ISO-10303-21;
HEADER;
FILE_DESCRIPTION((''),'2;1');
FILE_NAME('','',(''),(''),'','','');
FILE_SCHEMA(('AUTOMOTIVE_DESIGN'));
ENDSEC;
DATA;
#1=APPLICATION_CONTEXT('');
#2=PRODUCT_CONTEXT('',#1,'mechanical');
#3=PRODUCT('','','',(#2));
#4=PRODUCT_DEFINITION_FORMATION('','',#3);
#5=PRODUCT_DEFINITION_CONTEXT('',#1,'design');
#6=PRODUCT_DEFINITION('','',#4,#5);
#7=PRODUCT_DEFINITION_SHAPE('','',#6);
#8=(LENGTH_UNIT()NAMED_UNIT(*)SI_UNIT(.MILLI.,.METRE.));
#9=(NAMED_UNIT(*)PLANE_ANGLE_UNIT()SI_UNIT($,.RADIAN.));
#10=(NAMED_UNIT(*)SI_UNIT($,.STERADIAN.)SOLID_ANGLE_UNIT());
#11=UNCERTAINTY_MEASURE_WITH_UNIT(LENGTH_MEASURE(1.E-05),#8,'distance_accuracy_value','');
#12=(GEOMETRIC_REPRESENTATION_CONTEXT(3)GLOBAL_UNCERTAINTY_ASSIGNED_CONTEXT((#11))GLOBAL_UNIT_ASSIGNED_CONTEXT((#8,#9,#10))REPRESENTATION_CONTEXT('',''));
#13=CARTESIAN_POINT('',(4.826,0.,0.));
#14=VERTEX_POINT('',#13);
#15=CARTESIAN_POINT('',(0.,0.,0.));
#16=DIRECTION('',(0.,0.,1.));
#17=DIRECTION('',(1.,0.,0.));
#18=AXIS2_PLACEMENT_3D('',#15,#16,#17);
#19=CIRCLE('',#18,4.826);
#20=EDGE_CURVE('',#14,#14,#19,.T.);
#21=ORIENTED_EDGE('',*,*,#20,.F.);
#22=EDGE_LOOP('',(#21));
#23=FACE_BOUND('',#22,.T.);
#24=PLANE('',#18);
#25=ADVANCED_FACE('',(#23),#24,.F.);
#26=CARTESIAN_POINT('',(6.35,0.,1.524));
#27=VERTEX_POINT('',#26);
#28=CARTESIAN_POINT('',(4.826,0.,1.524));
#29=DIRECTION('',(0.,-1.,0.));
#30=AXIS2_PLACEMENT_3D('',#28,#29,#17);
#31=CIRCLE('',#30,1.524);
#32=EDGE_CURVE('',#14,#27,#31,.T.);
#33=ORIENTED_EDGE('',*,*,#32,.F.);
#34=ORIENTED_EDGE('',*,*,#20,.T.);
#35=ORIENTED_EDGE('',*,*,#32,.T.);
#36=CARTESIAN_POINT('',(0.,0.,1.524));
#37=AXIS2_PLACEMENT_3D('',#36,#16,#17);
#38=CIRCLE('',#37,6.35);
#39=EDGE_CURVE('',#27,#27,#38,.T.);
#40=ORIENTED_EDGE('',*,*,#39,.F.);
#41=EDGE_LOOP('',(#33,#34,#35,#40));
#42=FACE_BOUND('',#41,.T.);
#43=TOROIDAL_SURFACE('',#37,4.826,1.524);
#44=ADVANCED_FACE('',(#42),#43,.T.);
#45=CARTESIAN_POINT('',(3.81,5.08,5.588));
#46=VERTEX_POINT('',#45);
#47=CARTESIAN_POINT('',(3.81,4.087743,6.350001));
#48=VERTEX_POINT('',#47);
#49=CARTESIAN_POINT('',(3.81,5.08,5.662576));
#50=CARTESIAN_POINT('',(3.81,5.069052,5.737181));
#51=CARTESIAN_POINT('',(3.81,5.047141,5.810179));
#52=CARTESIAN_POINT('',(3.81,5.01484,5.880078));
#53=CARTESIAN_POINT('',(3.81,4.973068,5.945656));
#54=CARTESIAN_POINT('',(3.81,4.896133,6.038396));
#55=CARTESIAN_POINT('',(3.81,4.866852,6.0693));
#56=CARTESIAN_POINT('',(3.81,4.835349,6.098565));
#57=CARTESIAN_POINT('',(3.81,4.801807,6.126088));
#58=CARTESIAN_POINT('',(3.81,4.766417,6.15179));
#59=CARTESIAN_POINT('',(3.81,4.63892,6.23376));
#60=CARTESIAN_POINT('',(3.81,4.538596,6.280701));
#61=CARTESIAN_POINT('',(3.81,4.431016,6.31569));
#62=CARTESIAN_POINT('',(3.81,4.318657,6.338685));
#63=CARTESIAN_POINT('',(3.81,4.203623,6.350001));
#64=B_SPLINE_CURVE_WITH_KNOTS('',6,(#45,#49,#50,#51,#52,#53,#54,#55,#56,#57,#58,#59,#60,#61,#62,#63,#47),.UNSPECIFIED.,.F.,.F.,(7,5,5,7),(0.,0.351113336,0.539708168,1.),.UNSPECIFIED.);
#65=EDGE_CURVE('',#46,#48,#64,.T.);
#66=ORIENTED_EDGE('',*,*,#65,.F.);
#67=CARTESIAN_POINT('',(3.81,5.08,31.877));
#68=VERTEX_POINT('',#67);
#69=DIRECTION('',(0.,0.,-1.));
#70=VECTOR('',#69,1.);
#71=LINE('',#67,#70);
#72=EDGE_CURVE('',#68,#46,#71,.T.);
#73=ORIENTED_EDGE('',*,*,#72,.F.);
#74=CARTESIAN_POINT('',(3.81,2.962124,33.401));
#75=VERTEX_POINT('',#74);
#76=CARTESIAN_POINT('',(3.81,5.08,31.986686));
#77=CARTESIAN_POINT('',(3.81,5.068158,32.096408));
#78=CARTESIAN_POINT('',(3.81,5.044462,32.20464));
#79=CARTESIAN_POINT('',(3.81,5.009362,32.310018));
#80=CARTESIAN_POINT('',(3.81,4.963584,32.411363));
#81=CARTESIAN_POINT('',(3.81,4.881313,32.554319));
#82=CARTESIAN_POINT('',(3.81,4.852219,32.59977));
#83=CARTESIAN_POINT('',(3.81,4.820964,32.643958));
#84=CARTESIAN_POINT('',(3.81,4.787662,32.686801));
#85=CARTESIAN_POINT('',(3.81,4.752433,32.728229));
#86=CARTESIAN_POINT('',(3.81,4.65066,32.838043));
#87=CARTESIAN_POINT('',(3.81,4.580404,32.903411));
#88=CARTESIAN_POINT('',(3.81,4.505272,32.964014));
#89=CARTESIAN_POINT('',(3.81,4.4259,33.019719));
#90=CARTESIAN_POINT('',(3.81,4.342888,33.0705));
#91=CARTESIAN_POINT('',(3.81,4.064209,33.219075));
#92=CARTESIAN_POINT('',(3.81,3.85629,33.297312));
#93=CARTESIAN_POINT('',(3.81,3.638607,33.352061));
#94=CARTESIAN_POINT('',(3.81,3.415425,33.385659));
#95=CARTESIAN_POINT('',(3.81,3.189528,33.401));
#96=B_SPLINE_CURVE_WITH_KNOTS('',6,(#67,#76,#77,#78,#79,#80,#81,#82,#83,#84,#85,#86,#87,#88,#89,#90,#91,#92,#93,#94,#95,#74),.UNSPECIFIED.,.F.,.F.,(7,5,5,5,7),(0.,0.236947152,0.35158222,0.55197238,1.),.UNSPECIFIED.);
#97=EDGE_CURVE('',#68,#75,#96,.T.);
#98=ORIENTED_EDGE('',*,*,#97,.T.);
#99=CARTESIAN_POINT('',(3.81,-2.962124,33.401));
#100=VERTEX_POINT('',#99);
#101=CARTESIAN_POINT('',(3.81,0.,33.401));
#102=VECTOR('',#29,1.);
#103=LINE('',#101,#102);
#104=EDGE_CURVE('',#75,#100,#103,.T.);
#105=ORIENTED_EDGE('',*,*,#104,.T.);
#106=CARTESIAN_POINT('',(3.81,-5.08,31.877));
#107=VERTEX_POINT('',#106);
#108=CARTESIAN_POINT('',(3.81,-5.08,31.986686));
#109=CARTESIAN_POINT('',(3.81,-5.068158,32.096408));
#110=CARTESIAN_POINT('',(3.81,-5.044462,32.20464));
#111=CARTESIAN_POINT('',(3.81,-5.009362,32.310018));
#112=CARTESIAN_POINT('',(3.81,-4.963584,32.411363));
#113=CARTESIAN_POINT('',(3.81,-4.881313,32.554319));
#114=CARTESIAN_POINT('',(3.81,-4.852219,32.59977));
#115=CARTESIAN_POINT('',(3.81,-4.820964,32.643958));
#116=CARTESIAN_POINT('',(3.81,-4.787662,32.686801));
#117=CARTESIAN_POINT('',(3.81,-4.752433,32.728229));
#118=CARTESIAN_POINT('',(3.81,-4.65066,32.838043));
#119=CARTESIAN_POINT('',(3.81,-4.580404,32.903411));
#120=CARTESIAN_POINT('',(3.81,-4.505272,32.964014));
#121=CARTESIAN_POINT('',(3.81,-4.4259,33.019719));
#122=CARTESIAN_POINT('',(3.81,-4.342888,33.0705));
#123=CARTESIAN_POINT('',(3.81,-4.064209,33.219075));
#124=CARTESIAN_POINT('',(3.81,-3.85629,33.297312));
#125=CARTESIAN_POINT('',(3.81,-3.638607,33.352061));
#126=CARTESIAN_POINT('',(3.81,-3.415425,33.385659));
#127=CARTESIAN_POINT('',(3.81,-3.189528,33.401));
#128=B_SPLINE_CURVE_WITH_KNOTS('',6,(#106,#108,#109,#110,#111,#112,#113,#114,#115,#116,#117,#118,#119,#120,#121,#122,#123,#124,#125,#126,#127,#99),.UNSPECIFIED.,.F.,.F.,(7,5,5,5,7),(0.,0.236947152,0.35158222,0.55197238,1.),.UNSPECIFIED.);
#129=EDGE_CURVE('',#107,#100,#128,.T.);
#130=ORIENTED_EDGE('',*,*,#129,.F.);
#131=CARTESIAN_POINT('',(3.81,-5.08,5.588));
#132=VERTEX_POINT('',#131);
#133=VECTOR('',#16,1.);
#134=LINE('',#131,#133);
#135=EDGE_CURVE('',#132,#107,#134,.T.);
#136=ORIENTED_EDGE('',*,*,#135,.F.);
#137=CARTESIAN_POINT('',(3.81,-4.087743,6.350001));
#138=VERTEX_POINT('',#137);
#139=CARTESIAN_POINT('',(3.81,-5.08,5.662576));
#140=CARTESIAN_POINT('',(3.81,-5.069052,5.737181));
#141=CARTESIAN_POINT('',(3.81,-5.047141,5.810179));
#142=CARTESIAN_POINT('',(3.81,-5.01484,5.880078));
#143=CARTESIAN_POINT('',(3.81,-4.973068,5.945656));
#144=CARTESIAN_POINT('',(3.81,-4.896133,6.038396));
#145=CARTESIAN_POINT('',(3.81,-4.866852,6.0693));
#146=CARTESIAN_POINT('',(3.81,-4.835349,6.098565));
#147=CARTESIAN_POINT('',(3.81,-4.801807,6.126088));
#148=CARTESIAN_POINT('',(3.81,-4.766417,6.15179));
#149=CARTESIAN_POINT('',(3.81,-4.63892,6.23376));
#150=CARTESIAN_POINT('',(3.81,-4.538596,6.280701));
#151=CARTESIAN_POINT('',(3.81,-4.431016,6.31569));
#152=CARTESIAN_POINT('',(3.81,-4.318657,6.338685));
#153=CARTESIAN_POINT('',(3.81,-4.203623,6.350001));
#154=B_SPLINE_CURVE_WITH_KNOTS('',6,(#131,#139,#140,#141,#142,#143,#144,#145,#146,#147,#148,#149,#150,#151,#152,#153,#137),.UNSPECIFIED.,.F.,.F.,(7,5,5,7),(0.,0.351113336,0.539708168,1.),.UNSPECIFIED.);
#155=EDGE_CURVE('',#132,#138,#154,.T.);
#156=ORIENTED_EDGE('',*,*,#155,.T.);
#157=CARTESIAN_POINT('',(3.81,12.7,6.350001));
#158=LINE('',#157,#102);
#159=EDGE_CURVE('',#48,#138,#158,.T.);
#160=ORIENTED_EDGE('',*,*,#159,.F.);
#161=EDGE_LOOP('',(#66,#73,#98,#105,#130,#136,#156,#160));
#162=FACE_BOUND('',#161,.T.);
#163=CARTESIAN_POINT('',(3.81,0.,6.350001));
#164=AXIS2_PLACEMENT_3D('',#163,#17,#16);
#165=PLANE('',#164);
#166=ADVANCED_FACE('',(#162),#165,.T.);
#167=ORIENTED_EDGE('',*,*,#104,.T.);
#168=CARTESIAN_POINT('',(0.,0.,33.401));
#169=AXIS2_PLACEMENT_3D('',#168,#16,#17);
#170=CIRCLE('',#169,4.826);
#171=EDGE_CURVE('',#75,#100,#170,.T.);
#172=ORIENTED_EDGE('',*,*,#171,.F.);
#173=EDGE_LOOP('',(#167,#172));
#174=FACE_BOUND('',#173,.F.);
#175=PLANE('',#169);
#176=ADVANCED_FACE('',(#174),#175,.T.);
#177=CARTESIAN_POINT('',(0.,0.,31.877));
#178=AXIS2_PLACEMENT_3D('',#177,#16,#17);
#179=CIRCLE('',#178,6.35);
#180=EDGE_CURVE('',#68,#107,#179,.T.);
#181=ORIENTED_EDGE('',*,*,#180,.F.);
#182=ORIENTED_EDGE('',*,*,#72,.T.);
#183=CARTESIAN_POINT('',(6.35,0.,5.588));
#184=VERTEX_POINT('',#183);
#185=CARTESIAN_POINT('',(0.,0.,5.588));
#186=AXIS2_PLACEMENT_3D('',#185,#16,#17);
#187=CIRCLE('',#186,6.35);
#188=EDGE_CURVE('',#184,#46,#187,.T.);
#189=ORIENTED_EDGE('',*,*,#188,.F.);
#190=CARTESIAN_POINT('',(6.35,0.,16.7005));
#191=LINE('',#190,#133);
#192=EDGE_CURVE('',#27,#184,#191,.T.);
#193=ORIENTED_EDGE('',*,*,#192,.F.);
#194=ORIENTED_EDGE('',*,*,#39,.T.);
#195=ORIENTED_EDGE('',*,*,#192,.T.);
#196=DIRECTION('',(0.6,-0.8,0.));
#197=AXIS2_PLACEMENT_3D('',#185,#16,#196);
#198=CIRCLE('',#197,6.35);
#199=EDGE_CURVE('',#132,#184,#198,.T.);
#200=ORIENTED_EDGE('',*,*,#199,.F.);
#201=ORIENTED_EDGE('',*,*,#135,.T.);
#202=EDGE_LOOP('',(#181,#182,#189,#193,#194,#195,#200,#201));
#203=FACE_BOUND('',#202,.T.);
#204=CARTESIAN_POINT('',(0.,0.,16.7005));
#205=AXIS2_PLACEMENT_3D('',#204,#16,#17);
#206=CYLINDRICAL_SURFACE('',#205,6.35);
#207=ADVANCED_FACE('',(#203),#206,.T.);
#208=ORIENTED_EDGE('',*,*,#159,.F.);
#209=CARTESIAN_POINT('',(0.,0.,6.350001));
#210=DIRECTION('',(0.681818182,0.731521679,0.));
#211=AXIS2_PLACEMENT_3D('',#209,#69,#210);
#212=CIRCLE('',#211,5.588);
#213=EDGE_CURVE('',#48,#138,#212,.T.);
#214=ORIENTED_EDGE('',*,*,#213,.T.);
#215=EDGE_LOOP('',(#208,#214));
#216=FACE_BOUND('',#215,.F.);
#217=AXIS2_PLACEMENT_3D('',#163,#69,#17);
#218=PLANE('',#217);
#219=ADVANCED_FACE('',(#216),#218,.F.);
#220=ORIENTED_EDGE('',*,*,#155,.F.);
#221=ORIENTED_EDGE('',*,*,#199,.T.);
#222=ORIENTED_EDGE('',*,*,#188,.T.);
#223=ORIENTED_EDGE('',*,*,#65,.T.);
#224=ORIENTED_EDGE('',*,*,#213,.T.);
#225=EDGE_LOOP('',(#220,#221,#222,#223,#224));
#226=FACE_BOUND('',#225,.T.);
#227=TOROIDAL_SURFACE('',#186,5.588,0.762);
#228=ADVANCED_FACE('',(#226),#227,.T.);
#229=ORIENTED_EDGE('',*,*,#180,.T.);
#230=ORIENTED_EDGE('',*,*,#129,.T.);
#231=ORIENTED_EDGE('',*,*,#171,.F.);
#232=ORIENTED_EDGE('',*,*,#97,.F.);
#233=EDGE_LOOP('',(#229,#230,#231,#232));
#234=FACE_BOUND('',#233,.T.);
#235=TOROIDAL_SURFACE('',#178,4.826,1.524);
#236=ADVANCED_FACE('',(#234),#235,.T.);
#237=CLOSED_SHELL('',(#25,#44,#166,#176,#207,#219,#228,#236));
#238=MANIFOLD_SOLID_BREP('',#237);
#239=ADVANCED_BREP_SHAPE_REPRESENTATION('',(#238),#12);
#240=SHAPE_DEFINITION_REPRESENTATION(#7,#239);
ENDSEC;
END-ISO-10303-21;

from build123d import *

# Parameters (mm, degrees)
F0_W     = 6.35
F0_H     = 33.401
F2_R     = 1.524
F3_W     = 5.08
F3_H     = 28.219457
F4_DEPTH = 12.7
F5_R     = 0.762


with BuildPart() as f1:
    # F0 (on Front) → F1 (revolve)
    with BuildSketch(Plane.XZ):
        with Locations((3.175, 16.7005)):
            Rectangle(F0_W, F0_H)
    revolve(axis=Axis((0, 0, 16.7005), (0, 0, 1)))

    # F2
    f2_edges = [f1.edges().sort_by_distance(p)[0] for p in [
        (-6.35, 0, 0),
        (-6.35, 0, 33.401),
        (6.35, 0, 16.7005),
    ]]
    fillet(f2_edges, radius=F2_R)

    # F3 (on Front) → F4 (cut, symmetric)
    with BuildSketch(Plane.XZ):
        with Locations((6.35, 20.459729)):
            Rectangle(F3_W, F3_H)
    extrude(amount=F4_DEPTH, both=True, mode=Mode.SUBTRACT)

    # F5
    f5_edges = [f1.edges().sort_by_distance(p)[0] for p in [
        (5.679613, 2.839806, 6.35),
        (5.679613, -2.839806, 6.35),
    ]]
    fillet(f5_edges, radius=F5_R)


solid = f1.part
